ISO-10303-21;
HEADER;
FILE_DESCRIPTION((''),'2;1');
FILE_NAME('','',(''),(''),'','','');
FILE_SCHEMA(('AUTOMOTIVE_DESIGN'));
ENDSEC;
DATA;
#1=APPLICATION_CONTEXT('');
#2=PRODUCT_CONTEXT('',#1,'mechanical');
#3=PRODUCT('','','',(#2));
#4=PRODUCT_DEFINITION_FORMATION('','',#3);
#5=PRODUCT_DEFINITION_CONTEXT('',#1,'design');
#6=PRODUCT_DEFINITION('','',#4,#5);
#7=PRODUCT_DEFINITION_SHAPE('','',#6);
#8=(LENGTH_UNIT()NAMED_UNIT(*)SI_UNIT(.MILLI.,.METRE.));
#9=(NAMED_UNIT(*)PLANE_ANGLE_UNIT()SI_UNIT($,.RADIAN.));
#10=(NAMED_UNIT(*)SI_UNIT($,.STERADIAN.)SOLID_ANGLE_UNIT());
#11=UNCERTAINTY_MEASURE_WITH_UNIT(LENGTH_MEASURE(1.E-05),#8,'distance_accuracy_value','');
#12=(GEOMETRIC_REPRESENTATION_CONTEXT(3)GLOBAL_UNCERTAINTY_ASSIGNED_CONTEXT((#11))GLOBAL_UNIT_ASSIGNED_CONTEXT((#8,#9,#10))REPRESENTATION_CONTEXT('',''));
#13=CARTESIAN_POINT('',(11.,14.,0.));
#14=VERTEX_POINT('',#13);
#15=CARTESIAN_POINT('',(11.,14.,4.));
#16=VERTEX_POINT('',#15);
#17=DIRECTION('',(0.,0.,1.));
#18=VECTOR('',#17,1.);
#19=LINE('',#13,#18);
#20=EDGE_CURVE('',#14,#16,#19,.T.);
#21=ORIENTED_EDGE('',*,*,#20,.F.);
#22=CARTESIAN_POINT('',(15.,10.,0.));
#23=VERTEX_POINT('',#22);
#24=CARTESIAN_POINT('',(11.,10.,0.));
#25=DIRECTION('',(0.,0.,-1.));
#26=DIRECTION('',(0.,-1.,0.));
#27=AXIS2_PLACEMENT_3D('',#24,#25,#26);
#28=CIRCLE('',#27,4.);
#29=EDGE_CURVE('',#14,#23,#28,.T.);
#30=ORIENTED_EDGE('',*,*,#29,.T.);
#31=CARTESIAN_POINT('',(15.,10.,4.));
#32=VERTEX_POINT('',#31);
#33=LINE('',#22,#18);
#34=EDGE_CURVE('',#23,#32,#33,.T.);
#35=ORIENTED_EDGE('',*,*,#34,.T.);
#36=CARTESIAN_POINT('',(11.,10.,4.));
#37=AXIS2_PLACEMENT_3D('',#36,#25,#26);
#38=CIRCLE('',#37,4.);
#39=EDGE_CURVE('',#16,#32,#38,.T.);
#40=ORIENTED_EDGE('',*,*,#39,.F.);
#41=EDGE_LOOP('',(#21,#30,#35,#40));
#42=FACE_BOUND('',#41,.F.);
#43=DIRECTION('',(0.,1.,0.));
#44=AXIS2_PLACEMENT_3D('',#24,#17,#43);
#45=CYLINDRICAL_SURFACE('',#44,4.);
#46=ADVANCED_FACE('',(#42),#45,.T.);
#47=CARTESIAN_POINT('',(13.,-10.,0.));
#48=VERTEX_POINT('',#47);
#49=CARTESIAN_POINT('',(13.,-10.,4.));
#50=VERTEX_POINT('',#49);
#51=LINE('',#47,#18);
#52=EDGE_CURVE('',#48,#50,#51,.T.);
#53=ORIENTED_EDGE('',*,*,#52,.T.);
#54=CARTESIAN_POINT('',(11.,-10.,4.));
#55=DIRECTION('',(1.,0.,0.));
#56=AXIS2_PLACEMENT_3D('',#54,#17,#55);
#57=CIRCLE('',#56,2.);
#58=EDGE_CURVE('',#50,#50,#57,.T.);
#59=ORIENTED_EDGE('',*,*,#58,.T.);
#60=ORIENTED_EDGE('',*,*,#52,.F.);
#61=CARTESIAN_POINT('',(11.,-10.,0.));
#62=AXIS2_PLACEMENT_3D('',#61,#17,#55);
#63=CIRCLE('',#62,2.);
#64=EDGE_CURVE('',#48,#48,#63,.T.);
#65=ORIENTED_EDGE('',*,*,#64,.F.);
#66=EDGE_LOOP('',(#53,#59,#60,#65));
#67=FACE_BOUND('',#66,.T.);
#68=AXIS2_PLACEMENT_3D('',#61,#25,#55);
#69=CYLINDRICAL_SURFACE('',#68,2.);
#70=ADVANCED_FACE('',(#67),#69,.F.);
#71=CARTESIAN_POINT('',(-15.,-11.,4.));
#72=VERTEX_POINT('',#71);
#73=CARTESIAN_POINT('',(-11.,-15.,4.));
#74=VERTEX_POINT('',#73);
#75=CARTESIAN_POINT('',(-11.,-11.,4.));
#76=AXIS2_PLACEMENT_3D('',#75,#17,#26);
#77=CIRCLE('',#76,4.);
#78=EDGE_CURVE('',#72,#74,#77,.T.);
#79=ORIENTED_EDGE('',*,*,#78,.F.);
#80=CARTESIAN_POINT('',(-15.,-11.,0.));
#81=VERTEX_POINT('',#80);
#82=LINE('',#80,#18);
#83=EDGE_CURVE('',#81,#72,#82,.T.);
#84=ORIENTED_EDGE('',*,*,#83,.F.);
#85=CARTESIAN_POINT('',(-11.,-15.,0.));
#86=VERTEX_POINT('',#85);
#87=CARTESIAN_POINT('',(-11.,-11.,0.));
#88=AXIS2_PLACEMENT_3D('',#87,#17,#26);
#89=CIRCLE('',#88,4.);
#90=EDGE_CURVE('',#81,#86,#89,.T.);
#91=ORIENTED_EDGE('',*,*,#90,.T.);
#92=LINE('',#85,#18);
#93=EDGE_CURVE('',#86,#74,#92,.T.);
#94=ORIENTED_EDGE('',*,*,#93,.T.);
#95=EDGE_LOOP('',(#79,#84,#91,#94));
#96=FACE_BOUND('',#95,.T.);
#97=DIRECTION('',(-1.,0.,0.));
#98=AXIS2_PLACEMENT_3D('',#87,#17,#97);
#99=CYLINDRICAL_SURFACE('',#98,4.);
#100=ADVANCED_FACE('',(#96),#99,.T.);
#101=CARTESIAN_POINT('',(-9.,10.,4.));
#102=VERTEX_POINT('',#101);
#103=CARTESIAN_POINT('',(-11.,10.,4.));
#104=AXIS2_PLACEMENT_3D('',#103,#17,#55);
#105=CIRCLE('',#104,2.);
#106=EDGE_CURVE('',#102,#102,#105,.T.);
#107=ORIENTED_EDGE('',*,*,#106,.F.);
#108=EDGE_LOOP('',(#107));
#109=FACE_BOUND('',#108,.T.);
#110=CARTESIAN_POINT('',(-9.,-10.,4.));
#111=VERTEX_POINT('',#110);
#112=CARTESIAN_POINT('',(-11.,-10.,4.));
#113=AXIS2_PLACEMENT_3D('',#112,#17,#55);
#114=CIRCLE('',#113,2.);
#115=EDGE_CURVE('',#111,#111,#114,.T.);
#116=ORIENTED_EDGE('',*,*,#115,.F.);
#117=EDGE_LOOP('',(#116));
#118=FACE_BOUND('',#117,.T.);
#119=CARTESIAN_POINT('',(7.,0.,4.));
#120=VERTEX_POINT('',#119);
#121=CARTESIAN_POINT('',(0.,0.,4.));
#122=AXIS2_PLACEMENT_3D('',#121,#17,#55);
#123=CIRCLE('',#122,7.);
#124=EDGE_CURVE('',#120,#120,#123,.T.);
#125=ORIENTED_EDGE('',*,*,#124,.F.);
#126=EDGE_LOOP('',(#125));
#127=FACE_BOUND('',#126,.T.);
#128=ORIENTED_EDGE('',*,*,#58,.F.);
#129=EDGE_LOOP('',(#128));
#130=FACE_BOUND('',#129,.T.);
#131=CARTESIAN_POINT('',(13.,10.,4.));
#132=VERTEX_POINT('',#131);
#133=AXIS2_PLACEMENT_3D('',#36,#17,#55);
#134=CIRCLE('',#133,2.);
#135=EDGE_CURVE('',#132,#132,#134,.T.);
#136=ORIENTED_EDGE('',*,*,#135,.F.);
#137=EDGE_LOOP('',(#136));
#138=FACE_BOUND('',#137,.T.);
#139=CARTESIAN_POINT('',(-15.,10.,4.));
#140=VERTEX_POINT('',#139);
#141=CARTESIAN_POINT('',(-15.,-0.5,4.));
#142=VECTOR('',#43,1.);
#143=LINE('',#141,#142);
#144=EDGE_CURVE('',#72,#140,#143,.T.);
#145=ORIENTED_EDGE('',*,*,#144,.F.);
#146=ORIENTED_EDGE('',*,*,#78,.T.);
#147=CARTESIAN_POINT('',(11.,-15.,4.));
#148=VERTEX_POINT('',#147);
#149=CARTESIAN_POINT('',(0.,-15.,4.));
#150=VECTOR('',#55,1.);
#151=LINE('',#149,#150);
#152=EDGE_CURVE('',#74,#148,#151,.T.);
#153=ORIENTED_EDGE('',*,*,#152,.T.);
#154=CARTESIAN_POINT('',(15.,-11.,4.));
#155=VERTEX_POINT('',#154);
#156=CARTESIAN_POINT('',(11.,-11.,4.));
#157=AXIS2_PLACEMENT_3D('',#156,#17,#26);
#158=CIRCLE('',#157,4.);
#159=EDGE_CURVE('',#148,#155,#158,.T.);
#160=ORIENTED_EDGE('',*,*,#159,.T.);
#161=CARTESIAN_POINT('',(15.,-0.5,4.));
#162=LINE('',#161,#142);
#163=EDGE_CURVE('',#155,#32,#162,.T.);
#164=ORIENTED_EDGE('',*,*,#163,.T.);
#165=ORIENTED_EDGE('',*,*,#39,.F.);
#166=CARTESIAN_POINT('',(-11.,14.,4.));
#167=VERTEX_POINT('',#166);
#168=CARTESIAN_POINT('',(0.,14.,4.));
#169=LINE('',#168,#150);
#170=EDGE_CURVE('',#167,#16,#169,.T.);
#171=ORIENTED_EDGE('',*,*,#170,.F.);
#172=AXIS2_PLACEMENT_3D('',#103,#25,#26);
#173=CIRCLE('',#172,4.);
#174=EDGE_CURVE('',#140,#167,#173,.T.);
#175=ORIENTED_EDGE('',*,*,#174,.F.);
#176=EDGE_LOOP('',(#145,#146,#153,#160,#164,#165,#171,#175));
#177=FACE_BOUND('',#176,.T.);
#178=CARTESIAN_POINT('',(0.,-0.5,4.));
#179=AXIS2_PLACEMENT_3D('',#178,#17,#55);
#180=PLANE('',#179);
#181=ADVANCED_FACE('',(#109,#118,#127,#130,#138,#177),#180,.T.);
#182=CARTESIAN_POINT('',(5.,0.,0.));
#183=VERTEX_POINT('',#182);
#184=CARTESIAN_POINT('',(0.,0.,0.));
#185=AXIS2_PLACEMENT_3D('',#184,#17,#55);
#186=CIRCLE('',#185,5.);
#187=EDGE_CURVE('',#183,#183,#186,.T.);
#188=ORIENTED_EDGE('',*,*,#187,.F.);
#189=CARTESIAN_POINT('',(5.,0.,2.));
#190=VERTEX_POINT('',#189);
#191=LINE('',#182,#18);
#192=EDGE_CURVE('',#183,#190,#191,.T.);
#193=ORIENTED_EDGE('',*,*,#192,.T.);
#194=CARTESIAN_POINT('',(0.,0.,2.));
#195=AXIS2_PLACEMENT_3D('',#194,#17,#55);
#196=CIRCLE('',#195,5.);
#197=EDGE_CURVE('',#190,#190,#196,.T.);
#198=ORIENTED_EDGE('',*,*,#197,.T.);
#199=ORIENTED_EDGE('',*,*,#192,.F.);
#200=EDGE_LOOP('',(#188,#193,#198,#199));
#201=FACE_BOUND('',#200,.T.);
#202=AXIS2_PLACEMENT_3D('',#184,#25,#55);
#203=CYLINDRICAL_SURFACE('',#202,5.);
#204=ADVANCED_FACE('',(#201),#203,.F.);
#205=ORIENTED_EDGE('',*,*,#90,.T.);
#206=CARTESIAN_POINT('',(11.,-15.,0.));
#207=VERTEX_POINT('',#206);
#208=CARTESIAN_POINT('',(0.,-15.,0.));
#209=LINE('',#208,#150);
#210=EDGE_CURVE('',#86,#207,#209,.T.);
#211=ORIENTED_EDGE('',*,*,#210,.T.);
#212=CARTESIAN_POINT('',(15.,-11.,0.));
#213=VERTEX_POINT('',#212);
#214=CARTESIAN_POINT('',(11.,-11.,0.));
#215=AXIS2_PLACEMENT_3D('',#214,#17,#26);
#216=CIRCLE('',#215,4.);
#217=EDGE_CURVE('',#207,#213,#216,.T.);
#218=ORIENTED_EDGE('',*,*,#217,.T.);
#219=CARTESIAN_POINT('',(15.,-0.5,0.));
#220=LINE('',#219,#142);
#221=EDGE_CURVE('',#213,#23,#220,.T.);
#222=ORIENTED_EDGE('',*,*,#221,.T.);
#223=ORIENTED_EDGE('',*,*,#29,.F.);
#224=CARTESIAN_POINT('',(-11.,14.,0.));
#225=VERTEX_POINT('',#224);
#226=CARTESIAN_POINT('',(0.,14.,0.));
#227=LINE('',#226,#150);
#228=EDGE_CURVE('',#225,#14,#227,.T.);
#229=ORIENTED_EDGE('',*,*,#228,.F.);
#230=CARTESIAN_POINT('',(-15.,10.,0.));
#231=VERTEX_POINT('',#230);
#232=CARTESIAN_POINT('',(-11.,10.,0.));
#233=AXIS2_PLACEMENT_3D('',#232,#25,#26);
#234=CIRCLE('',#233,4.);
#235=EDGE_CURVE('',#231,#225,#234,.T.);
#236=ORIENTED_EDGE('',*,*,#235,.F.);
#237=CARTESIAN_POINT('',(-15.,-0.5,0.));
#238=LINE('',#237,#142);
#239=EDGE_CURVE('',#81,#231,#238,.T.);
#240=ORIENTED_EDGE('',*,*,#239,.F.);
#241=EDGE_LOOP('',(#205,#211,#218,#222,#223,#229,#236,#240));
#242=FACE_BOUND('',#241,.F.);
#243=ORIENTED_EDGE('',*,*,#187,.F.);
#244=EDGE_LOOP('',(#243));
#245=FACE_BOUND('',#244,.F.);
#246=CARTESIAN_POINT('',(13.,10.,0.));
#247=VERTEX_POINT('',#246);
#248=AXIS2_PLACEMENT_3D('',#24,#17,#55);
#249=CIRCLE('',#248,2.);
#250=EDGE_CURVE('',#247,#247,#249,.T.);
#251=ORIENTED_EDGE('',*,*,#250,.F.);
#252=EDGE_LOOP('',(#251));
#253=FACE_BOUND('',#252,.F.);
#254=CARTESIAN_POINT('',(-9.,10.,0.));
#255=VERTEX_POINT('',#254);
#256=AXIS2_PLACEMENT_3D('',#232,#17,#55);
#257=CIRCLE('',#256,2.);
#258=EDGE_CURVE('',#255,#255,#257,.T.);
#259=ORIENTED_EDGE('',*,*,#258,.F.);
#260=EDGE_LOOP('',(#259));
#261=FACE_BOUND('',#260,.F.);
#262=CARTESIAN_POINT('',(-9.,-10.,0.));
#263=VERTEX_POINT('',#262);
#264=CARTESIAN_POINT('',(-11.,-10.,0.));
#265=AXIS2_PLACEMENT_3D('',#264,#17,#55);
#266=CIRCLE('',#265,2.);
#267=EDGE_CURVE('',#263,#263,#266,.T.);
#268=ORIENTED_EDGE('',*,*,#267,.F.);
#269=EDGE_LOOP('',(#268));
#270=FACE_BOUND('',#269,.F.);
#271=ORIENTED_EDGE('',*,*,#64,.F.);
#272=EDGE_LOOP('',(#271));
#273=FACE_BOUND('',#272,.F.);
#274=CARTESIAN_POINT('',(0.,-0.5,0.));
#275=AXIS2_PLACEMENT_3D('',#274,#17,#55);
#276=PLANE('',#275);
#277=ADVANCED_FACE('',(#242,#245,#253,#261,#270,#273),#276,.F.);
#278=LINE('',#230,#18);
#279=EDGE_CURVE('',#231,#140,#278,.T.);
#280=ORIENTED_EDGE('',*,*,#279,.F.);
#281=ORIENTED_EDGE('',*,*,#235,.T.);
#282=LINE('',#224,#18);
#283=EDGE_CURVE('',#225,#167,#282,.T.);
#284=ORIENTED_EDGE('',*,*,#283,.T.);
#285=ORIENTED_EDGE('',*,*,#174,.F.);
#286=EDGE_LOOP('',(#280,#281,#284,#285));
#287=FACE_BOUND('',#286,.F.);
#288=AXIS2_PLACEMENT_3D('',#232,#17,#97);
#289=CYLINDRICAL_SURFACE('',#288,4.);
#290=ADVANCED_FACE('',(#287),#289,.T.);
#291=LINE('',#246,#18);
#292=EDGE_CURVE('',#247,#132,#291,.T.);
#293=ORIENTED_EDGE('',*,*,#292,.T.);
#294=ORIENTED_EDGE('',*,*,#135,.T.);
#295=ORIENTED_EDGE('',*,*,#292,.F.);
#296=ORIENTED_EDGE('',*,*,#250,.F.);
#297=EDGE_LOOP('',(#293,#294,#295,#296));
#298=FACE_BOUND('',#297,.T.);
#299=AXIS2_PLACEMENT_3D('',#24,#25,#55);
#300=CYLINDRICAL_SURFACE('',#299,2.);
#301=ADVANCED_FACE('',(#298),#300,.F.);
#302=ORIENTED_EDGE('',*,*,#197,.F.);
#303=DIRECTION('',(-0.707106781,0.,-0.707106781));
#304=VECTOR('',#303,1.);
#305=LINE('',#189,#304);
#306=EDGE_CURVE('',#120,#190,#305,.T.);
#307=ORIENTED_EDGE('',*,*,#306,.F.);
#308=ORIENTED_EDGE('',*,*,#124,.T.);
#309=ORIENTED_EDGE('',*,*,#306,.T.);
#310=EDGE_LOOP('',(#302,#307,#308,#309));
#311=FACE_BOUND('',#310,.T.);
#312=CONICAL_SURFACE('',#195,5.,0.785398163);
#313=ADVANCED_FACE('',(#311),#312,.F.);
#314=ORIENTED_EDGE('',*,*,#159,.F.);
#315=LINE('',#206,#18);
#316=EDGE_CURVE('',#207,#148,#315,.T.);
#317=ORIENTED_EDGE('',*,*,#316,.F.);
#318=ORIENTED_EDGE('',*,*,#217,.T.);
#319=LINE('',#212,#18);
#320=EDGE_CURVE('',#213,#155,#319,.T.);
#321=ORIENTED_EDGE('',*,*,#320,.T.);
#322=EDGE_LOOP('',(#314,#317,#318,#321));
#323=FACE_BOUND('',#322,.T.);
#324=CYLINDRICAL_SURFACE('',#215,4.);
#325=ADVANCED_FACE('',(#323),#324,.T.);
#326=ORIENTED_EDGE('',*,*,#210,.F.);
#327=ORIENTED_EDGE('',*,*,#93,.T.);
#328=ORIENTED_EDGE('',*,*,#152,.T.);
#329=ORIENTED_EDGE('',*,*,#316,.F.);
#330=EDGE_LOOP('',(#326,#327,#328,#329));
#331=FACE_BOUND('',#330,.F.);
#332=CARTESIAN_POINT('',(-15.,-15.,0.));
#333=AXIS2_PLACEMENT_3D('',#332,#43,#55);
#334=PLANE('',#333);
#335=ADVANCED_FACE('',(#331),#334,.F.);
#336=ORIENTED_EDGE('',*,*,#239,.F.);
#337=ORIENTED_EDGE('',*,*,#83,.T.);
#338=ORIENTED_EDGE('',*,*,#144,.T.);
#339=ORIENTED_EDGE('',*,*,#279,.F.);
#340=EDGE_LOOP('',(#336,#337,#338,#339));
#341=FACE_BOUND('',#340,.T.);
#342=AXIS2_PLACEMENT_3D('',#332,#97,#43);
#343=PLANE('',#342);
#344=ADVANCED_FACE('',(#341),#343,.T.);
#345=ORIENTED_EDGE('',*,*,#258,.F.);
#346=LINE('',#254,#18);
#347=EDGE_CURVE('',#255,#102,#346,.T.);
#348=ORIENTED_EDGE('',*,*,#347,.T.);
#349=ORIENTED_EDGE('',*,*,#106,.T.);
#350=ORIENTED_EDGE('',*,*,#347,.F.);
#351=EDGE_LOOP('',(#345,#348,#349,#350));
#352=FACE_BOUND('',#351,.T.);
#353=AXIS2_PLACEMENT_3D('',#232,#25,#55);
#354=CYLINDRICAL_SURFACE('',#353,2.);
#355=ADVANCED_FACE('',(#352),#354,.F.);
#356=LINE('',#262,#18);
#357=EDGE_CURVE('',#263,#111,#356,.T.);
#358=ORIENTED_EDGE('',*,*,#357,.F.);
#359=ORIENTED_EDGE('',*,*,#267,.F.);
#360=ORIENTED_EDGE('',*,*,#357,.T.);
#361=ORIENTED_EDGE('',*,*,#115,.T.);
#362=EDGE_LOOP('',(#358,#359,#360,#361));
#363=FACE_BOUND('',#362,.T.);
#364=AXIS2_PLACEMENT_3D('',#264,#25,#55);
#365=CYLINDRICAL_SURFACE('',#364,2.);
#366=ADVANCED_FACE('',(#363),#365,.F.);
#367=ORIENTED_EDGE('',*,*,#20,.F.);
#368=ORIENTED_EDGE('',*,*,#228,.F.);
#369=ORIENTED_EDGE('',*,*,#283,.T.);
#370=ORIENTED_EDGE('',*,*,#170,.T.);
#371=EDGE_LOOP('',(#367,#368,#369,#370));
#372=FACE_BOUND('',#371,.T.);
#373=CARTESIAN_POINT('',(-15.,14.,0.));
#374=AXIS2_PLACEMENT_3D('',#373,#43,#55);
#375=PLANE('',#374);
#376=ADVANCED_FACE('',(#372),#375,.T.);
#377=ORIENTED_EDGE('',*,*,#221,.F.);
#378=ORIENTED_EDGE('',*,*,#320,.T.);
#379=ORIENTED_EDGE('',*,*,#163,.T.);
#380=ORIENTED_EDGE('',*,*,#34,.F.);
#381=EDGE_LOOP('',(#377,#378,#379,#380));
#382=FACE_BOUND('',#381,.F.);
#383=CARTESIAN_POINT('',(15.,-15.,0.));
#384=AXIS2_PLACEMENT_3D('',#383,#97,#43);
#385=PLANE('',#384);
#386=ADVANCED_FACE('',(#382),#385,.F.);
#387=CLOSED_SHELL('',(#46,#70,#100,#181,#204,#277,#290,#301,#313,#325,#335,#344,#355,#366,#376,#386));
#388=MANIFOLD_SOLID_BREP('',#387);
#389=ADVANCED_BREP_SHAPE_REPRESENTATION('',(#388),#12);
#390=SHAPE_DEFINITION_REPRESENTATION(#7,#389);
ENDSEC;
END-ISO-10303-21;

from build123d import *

# Parameters (mm, degrees)
F0_W     = 30
F0_H     = 29
F0_R     = 2
F0_R_2   = 5
F1_DEPTH = 4
F2_R     = 4
F3_SIZE  = 2


with BuildPart() as f1:
    # F0 (on Top) → F1 (new body)
    with BuildSketch(Plane.XY):
        with Locations((0, -0.5)):
            Rectangle(F0_W, F0_H)
        with Locations((-11, -10)):
            Circle(F0_R, mode=Mode.SUBTRACT)
        with Locations((11, -10)):
            Circle(F0_R, mode=Mode.SUBTRACT)
        with Locations((-11, 10)):
            Circle(F0_R, mode=Mode.SUBTRACT)
        Circle(F0_R_2, mode=Mode.SUBTRACT)
        with Locations((11, 10)):
            Circle(F0_R, mode=Mode.SUBTRACT)
    extrude(amount=F1_DEPTH)

    # F2
    f2_edges = [f1.edges().sort_by_distance(p)[0] for p in [
        (-15, 14, 2),
        (15, 14, 2),
        (-15, -15, 2),
        (15, -15, 2),
    ]]
    fillet(f2_edges, radius=F2_R)

    # F3
    f3_edges = [f1.edges().sort_by_distance(p)[0] for p in [
        (-5, 0, 4),
    ]]
    chamfer(f3_edges, length=F3_SIZE)


solid = f1.part
